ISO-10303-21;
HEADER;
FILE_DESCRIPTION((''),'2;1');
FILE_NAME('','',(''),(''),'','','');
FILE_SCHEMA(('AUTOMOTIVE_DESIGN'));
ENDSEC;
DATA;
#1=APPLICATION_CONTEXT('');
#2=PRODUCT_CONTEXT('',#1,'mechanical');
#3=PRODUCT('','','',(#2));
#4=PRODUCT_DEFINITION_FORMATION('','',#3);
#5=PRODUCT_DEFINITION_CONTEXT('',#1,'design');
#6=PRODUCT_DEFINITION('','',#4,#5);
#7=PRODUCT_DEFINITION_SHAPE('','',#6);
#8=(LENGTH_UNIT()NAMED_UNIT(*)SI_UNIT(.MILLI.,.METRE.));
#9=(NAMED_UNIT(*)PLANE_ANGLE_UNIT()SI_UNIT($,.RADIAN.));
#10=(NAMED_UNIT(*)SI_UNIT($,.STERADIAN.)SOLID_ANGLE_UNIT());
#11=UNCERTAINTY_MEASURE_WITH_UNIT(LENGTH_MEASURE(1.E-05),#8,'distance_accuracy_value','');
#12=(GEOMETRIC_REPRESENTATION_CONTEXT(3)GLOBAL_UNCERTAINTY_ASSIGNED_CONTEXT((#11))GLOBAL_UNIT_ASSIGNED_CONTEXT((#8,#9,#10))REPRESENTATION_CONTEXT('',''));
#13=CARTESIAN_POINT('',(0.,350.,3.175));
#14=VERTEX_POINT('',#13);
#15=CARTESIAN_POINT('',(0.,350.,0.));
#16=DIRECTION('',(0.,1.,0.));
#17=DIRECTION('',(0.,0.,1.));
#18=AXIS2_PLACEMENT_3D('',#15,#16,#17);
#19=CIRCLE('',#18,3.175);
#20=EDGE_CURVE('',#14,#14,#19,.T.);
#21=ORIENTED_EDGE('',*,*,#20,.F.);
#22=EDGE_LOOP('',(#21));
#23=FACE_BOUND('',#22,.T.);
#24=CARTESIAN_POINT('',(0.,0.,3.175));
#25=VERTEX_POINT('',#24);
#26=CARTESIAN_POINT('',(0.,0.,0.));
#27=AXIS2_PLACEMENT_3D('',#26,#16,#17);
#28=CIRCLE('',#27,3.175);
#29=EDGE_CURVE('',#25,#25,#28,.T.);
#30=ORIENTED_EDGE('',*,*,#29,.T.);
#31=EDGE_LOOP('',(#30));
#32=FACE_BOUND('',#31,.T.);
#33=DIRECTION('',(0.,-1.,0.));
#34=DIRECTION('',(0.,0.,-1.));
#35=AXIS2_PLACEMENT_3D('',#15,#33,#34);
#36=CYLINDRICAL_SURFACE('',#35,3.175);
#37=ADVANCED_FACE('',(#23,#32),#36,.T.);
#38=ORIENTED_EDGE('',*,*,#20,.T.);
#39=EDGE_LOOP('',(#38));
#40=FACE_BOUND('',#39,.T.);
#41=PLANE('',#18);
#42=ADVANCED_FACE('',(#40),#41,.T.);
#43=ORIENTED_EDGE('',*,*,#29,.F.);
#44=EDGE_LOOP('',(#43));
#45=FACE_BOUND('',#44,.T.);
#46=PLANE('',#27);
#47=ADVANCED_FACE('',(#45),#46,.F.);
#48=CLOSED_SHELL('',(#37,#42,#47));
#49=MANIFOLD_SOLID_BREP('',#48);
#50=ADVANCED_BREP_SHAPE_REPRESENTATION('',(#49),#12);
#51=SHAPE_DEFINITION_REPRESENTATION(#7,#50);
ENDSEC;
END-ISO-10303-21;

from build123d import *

# Parameters (mm, degrees)
SKETCH1_R           = 3.175
BOSS_EXTRUDE1_DEPTH = 350


with BuildPart() as part:
    # Sketch1 → Boss-Extrude1 (new body)
    with BuildSketch(Plane(origin=(0, 0, 0), x_dir=(1, 0, 0), z_dir=(0, 1, 0))):
        Circle(SKETCH1_R)
    extrude(amount=BOSS_EXTRUDE1_DEPTH)


solid = part.part
